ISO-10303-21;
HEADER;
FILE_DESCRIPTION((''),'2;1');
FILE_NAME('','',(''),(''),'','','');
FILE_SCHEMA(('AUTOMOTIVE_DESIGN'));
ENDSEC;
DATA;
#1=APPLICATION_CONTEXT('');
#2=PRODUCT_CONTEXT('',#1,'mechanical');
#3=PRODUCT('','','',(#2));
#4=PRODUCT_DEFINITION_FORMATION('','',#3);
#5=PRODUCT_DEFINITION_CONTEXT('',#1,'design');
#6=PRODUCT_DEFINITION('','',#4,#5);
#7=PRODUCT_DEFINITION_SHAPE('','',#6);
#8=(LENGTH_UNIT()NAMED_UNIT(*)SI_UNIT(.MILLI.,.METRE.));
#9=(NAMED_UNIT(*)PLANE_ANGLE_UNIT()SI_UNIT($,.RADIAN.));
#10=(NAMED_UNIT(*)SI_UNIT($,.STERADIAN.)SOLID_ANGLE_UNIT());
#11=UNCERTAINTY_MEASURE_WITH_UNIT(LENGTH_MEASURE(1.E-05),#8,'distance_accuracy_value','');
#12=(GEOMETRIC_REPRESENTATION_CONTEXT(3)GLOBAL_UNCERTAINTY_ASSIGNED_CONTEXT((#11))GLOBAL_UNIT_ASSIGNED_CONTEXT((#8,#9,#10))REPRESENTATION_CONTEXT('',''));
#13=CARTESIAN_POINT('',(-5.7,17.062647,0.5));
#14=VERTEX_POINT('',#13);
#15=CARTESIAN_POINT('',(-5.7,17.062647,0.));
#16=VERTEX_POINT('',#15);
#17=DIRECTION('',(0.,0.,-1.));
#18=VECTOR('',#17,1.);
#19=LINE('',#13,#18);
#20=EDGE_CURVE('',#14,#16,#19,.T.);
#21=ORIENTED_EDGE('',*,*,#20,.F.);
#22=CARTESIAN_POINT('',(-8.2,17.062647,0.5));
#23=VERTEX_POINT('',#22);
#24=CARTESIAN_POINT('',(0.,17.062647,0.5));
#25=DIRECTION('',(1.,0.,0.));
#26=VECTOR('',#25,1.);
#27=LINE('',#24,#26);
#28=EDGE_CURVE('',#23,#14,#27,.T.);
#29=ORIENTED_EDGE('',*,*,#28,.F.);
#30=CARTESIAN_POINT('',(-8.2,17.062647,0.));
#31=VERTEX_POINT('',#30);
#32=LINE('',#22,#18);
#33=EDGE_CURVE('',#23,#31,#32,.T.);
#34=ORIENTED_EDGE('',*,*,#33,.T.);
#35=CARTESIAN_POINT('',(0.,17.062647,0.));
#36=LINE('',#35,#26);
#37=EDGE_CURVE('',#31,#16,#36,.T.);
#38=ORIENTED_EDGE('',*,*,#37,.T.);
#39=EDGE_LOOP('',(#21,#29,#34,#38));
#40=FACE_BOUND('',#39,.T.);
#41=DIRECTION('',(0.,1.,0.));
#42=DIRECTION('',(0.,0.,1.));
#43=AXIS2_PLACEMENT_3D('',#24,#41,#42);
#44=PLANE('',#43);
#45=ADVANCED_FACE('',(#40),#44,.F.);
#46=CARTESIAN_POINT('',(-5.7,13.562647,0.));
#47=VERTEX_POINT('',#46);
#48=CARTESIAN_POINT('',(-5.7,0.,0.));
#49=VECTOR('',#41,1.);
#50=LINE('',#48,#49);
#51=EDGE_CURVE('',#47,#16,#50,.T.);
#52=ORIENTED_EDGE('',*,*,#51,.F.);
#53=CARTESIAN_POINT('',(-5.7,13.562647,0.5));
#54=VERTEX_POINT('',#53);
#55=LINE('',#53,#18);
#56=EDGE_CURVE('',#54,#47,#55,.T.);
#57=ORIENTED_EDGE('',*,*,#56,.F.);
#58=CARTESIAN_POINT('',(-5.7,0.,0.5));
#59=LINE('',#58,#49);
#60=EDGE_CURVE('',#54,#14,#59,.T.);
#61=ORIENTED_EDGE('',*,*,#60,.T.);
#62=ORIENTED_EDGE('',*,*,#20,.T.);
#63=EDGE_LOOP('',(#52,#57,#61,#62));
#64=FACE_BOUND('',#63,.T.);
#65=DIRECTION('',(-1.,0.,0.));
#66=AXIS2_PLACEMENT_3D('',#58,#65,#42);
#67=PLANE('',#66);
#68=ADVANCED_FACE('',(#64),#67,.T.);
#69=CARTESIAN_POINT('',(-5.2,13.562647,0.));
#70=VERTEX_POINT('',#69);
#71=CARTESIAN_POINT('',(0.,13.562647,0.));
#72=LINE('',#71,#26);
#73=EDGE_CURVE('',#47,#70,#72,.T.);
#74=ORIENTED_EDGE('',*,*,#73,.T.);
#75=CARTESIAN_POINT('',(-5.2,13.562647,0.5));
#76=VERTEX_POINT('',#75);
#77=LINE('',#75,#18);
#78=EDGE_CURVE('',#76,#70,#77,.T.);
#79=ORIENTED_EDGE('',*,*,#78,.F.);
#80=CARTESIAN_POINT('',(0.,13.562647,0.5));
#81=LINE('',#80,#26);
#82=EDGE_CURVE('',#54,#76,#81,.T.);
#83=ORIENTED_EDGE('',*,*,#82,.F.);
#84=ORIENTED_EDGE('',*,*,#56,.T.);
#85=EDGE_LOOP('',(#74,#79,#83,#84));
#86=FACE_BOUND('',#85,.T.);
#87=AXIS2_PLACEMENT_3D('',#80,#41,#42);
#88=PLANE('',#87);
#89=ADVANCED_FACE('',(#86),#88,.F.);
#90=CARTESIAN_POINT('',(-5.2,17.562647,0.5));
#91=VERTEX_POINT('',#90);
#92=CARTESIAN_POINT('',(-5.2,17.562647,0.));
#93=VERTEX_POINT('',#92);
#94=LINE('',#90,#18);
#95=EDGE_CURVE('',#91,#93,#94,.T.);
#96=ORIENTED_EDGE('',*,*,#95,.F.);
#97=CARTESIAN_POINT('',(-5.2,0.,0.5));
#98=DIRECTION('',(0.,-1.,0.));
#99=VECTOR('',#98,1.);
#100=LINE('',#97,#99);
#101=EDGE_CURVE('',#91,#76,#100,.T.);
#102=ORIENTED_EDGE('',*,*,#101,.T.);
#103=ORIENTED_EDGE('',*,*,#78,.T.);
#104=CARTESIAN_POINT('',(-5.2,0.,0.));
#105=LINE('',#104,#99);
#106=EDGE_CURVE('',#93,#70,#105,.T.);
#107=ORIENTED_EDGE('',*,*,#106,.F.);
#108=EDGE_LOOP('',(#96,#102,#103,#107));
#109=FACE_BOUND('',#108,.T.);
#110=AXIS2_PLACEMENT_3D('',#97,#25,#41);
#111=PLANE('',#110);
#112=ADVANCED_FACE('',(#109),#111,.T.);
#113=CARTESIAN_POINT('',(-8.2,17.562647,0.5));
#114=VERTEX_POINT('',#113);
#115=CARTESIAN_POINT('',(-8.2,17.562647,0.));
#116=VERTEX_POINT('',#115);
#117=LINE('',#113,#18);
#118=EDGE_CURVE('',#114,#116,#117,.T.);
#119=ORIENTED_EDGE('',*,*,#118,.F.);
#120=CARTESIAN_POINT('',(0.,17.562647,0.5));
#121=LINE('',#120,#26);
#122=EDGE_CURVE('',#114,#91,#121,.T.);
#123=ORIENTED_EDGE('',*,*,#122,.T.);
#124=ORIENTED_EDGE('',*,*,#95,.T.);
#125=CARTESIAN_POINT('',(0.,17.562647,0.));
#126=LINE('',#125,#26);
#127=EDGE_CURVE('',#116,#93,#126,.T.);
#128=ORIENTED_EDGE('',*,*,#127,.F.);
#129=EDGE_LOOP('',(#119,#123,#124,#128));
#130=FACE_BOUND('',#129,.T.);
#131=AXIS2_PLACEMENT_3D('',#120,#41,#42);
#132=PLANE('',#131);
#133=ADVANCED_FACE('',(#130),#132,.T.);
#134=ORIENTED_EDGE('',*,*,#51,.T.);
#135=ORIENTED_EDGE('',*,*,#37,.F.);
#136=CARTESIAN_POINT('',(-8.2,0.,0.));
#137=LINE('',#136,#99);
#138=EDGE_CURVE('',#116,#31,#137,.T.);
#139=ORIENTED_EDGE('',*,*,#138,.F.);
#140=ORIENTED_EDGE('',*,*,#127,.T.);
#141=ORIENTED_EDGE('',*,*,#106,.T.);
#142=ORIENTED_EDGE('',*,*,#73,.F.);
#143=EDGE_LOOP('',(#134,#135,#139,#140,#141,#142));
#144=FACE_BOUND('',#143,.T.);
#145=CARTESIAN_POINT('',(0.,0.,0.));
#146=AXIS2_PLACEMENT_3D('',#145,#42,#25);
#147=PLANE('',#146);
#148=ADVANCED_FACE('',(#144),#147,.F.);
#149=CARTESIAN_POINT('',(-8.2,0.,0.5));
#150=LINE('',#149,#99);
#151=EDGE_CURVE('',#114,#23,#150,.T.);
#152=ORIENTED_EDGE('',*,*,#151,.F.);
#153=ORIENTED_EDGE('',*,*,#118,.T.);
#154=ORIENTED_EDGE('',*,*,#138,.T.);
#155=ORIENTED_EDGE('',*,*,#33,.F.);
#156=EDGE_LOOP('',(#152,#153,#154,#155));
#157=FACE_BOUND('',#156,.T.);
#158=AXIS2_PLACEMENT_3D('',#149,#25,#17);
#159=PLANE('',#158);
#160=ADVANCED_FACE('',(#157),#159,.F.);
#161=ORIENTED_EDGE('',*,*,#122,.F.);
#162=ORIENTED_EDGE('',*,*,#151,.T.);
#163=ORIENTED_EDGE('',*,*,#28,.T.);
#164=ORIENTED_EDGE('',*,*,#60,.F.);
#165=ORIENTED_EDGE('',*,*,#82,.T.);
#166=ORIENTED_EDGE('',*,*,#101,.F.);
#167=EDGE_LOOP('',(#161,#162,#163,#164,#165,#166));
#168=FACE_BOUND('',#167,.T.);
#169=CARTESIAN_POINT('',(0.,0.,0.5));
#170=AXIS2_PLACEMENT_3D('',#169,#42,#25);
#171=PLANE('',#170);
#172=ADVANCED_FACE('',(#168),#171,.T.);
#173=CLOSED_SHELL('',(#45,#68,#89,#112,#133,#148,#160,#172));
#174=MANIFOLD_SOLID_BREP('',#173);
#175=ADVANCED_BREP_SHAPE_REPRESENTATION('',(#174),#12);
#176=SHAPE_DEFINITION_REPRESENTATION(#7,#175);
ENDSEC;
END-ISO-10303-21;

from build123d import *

# Parameters (mm, degrees)
BOSS_EXTRUDE1_DEPTH = 0.5


with BuildPart() as part:
    # Sketch1 → Boss-Extrude1 (new body)
    with BuildSketch(Plane.XY):
        Polygon((-5.7, 13.56264653), (-5.7, 17.06264653), (-8.2, 17.06264653), (-8.2, 17.56264653), (-5.2, 17.56264653), (-5.2, 13.56264653), align=None)
    extrude(amount=BOSS_EXTRUDE1_DEPTH)


solid = part.part
